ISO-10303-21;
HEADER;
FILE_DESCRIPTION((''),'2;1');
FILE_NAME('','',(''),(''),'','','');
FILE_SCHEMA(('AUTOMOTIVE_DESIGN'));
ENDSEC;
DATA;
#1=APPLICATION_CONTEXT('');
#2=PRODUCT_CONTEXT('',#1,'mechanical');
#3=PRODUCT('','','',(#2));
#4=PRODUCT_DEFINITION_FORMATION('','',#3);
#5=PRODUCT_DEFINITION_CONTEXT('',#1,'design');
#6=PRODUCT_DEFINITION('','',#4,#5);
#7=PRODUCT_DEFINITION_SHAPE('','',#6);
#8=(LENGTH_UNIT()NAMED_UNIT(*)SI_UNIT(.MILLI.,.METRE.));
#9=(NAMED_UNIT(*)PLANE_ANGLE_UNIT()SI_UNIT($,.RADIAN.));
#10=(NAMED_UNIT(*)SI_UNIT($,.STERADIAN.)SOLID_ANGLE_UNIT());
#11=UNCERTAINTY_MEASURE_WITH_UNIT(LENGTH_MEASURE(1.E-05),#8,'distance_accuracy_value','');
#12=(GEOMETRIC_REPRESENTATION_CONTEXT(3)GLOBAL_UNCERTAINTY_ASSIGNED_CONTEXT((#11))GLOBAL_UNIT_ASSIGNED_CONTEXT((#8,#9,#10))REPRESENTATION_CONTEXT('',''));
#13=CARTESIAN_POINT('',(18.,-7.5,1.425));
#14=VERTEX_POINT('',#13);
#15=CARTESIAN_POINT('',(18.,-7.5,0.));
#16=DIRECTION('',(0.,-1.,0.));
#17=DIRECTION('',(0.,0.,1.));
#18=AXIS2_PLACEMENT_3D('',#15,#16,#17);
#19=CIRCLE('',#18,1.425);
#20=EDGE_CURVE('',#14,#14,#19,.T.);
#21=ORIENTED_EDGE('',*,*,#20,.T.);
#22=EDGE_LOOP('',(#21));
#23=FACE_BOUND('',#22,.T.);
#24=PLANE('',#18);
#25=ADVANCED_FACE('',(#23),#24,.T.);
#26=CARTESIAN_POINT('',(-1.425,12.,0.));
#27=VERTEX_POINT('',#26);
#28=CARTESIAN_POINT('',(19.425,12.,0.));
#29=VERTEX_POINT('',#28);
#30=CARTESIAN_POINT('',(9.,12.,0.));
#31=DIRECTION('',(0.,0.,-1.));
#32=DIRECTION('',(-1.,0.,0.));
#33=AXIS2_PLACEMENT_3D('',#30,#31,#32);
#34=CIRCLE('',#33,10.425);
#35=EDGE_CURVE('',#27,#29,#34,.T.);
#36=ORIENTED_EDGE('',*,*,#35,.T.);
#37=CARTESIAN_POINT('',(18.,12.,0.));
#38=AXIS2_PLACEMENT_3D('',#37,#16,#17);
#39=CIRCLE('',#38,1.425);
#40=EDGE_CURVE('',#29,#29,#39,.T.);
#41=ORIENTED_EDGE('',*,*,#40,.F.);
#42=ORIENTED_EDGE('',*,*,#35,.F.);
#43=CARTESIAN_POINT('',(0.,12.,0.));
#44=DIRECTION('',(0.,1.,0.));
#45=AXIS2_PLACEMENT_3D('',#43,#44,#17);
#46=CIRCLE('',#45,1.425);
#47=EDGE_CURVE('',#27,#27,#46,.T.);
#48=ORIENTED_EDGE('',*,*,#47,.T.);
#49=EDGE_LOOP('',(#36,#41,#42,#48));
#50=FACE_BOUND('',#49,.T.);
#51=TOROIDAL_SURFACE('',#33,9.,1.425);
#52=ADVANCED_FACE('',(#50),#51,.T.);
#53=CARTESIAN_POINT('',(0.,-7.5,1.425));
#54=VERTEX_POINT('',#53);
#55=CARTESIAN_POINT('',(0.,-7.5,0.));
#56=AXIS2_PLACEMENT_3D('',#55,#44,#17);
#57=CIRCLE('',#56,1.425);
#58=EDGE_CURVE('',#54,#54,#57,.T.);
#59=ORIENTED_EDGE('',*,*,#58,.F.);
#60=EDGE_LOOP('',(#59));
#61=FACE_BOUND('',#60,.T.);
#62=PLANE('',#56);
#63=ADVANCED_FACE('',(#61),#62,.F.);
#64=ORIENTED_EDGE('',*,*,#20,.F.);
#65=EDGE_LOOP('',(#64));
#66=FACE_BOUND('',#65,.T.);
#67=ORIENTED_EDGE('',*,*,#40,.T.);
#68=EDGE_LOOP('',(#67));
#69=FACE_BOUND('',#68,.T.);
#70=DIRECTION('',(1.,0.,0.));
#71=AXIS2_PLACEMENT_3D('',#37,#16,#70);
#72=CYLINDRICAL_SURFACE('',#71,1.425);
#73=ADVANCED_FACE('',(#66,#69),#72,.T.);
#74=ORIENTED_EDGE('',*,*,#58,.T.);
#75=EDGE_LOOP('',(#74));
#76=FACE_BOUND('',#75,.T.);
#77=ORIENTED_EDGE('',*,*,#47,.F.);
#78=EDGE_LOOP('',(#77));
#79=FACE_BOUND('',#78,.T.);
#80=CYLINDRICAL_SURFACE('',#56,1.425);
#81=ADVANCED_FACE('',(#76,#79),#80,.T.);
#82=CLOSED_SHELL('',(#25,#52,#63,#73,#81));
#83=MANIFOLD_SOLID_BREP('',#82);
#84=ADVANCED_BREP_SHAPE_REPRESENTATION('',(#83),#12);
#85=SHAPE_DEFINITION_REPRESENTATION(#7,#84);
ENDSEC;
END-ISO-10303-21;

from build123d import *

# Parameters (mm, degrees)
SKETCH2_R = 1.425


with BuildPart() as part:
    # Sweep1: sweep along a path in Sketch1
    with BuildLine(Plane.XY) as sweep1_path:
        Line((0, -7.5), (0, 12))
        ThreePointArc((0, 12), (9, 21), (18, 12))
        Line((18, 12), (18, -7.5))
    # Sketch2 → Sweep1 (sweep)
    with BuildSketch(Plane(origin=(0, -7.5, 0), x_dir=(1, 0, 0), z_dir=(0, 1, 0))):
        Circle(SKETCH2_R)
    sweep(path=sweep1_path.line)


solid = part.part
